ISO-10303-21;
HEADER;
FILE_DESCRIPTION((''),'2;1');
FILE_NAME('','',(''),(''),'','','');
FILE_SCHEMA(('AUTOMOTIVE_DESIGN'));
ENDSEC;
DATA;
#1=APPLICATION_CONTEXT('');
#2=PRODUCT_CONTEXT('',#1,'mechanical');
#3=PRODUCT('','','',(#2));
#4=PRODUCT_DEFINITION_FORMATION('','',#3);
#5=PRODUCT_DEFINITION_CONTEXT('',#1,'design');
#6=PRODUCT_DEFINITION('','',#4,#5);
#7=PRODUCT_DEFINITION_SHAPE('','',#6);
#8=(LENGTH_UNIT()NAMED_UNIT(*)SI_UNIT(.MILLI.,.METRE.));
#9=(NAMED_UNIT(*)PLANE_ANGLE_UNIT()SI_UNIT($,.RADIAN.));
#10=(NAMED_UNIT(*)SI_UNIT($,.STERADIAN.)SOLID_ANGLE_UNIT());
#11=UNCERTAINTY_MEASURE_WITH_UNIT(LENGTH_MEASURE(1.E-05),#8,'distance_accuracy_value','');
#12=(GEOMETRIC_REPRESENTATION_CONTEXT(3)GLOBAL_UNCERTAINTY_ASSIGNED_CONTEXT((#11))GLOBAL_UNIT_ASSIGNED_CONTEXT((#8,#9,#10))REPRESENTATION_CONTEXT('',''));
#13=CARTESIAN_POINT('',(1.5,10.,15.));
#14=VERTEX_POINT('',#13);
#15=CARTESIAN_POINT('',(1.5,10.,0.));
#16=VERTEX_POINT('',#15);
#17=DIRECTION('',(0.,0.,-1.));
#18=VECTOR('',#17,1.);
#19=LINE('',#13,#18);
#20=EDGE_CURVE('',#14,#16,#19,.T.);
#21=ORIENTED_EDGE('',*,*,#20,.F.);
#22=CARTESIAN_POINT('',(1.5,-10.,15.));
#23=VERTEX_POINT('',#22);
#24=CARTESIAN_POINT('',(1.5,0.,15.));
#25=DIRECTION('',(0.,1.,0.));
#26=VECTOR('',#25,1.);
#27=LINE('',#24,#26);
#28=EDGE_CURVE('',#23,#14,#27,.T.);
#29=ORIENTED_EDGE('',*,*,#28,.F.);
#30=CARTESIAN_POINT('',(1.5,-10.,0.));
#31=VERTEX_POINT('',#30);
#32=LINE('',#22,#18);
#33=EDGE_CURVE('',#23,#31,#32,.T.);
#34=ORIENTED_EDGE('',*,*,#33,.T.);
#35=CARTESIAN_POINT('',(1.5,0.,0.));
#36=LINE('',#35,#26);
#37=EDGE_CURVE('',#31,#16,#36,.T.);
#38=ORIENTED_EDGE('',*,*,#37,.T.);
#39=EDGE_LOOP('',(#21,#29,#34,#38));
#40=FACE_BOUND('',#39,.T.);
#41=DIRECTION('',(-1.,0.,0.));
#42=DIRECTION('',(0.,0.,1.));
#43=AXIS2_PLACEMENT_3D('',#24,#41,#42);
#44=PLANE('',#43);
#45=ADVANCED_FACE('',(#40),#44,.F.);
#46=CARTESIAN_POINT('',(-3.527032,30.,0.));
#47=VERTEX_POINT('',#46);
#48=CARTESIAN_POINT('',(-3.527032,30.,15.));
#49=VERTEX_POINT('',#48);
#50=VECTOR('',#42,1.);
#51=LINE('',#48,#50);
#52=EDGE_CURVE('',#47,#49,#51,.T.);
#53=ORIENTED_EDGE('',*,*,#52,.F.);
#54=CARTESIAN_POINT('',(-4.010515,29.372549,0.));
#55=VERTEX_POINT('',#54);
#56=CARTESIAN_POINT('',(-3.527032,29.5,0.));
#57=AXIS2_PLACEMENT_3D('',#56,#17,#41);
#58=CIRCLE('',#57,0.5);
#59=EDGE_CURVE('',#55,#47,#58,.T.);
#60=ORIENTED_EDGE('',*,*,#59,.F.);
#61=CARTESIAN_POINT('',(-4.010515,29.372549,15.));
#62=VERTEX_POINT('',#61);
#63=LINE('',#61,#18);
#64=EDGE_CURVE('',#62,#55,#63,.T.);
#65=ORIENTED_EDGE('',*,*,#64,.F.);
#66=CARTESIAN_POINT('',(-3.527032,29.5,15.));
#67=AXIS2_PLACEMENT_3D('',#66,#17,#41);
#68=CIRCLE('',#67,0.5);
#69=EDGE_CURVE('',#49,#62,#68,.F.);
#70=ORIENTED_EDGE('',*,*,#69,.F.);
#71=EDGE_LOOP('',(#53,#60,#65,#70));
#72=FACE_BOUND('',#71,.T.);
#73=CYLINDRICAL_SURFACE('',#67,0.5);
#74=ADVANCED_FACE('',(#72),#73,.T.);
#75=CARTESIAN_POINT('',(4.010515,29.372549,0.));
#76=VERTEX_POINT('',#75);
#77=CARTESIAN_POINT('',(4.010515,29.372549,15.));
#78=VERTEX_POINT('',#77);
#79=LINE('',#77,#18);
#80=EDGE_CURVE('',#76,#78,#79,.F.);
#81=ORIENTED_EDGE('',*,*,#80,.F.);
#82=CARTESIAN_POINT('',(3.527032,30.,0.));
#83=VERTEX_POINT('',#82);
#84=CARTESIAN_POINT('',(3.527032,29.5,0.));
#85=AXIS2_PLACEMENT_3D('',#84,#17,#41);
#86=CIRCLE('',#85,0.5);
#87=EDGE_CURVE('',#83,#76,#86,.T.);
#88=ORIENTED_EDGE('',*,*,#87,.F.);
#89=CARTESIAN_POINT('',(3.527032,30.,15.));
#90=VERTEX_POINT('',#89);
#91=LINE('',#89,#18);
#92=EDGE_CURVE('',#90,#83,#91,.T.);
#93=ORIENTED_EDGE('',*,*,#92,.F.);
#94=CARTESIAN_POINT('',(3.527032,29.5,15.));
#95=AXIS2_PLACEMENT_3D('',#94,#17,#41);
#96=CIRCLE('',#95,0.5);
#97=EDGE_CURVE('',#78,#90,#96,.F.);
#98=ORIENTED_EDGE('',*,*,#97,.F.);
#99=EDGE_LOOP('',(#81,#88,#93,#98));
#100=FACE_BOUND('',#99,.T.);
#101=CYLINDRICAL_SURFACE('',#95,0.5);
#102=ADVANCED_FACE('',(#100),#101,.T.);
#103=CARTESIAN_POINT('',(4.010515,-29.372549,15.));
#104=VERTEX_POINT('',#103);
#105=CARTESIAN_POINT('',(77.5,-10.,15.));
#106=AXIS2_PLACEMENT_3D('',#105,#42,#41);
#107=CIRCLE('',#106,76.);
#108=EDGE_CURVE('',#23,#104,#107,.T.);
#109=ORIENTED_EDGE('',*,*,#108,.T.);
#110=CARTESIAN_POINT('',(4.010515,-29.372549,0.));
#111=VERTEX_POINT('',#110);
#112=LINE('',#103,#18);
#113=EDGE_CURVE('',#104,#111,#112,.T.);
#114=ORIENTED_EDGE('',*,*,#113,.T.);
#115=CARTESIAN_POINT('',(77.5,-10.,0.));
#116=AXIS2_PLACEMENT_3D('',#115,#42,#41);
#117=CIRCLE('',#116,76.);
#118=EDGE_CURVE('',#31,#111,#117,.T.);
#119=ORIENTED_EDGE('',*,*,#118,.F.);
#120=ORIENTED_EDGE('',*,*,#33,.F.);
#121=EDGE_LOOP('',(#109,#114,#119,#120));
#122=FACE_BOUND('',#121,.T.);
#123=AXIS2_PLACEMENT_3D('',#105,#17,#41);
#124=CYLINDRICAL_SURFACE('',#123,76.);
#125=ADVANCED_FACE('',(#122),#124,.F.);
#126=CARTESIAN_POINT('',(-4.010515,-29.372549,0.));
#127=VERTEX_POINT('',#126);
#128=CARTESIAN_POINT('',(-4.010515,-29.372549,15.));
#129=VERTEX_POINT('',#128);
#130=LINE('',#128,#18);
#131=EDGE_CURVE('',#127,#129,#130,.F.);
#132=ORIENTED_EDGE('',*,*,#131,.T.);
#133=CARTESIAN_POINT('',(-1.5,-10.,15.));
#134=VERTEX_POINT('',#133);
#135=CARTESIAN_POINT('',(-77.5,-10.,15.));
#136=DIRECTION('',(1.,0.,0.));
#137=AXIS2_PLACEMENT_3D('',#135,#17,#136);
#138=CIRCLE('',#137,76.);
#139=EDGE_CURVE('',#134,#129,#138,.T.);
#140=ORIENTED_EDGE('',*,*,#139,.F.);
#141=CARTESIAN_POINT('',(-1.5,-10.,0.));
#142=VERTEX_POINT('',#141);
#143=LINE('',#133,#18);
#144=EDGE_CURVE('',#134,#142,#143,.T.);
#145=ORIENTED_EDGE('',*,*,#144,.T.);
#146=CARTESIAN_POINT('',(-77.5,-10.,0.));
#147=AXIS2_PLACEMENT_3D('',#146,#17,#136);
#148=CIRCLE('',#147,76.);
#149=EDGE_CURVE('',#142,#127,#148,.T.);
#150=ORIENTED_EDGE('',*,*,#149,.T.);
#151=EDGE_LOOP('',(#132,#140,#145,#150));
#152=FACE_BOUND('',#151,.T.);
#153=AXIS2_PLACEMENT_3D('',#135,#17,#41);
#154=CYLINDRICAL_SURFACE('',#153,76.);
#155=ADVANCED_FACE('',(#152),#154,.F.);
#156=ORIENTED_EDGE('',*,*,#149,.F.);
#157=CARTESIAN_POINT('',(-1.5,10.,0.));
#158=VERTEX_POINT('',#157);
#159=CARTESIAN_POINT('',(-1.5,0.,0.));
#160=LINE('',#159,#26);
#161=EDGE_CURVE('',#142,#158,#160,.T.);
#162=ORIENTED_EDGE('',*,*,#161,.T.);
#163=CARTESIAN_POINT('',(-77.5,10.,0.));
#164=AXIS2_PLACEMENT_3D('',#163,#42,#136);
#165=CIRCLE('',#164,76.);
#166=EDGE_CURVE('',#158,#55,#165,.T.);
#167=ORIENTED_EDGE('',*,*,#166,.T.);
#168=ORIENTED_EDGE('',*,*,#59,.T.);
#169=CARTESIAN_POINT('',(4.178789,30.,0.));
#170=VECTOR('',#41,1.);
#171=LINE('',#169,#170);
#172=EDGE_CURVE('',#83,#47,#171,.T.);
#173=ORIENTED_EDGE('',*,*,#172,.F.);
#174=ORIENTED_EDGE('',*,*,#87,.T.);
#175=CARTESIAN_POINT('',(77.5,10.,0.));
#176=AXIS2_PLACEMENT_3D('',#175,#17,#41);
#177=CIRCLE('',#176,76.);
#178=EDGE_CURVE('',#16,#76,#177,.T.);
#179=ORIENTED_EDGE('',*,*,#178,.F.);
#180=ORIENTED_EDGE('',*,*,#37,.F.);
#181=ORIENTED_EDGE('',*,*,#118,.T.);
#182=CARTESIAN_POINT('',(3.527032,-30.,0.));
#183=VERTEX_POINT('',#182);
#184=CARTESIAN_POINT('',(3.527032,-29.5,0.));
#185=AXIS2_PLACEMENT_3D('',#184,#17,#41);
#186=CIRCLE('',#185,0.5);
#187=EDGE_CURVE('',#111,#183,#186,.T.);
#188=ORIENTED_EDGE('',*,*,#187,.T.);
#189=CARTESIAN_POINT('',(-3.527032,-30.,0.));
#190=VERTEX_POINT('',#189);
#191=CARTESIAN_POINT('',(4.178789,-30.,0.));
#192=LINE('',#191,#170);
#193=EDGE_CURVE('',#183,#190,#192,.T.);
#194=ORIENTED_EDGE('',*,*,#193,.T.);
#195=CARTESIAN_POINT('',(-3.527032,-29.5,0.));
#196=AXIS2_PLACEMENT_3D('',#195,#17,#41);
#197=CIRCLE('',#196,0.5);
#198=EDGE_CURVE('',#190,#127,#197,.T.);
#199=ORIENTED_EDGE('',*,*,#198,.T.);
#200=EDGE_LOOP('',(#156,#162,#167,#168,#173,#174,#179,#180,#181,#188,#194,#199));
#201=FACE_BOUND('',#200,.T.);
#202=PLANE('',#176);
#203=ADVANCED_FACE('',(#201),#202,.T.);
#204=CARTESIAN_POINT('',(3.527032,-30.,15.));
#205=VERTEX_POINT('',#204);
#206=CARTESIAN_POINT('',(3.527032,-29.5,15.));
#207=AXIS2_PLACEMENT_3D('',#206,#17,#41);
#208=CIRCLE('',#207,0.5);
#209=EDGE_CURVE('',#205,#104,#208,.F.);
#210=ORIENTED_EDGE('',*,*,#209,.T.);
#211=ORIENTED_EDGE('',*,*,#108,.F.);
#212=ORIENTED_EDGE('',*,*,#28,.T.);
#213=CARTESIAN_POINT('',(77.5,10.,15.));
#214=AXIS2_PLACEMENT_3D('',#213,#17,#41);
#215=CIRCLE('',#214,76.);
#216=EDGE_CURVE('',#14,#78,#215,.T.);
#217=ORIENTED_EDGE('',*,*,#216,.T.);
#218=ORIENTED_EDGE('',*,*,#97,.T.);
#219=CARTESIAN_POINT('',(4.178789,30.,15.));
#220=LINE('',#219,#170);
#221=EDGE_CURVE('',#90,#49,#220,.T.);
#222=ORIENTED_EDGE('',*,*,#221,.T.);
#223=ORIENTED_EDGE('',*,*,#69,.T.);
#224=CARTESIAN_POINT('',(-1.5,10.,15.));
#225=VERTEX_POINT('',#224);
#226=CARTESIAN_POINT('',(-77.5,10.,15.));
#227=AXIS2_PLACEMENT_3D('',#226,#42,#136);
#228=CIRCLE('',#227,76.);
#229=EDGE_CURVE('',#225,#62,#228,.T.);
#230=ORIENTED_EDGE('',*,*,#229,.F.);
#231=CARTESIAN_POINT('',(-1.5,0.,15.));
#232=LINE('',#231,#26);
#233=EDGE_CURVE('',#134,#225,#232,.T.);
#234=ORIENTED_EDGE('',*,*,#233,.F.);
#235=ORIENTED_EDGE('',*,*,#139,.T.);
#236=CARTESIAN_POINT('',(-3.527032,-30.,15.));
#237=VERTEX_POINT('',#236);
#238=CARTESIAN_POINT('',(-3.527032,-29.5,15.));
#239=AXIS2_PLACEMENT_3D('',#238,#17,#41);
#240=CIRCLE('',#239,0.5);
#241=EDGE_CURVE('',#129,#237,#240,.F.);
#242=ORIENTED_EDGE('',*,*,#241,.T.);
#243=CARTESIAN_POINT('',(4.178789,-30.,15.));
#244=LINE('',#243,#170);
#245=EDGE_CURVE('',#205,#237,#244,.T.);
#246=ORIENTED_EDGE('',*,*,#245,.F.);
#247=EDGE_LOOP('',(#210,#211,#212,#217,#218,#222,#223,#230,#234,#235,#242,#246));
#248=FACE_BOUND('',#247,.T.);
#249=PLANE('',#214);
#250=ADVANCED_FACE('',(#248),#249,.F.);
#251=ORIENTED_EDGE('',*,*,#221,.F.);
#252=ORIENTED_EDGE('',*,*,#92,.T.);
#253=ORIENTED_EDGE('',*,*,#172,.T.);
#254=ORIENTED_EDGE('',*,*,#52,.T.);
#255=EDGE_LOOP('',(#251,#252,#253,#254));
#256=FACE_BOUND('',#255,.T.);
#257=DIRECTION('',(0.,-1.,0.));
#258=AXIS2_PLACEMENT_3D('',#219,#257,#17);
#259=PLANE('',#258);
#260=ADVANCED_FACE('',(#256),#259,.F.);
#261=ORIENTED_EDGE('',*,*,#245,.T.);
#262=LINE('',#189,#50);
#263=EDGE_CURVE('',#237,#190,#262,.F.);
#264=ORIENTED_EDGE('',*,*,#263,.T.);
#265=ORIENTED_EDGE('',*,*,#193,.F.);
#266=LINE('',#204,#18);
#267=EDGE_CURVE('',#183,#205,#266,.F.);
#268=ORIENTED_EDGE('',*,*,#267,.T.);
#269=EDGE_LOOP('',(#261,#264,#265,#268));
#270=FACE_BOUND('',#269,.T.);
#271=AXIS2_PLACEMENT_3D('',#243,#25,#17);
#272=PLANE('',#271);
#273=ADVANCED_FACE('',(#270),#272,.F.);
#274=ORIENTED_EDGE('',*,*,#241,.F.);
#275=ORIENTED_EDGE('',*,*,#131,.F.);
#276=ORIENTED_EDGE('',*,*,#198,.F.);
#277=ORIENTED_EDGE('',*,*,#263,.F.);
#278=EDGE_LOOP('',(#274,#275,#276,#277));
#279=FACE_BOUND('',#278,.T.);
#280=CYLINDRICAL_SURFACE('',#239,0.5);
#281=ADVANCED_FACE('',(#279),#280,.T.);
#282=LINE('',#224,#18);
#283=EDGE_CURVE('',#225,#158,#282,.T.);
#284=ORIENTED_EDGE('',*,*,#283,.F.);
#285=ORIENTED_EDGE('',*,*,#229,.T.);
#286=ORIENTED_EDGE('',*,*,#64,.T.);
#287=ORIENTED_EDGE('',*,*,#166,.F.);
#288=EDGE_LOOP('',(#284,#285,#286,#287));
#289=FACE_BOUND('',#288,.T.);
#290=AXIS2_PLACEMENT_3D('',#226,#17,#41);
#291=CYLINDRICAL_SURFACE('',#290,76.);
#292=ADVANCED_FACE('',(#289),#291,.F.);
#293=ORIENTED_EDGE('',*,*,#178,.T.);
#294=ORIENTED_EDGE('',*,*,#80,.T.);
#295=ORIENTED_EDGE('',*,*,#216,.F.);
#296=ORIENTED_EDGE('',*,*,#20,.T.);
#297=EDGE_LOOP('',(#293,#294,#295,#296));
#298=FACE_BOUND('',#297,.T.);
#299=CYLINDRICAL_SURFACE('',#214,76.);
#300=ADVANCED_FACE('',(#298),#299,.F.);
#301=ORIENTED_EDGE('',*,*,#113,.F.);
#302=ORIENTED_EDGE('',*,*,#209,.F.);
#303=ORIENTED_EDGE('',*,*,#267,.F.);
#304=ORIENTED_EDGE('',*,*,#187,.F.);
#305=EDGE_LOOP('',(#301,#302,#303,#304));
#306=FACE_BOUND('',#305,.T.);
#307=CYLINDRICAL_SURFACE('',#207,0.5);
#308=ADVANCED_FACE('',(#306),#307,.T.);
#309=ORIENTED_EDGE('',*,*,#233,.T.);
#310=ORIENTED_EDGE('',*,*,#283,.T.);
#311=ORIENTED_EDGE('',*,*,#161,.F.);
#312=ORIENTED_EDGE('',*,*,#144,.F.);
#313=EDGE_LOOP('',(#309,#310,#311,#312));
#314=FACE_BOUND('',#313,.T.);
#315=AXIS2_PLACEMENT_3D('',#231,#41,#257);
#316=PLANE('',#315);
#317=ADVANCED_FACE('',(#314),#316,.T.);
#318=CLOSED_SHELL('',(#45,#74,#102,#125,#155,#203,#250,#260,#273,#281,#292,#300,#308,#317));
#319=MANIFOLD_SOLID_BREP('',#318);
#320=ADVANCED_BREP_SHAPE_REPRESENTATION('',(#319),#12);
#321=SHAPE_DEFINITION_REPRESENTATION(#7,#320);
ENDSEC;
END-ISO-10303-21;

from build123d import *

# Parameters (mm, degrees)
BOSS_EXTRUDE1_DEPTH = 15
FILLET1_R           = 0.5


with BuildPart() as part:
    # Sketch1 → Boss-Extrude1 (new body)
    with BuildSketch(Plane.XY):
        with BuildLine():
            Line((0, 0), (1.5, 0))
            Line((1.5, 0), (1.5, 10))
            ThreePointArc((1.5, 10), (2.172674131, 20.089300148), (4.178788881, 30))
            Line((4.178788881, 30), (0, 30))
            Line((0, 30), (0, 0))
        make_face()
    boss_extrude1 = extrude(amount=BOSS_EXTRUDE1_DEPTH)

    # Mirror1: Boss-Extrude1 across plane
    add(boss_extrude1.mirror(Plane(origin=(0, 30, 15), x_dir=(0, 0, 1), z_dir=(1, 0, 0))))

    # Mirror6: part across plane


with BuildPart() as part_1:
    add(part.part)
    add(part.part.mirror(Plane(origin=(0, 0, 15), x_dir=(0, 0, 1), z_dir=(0, 1, 0))))

    # Fillet1
    fillet1_edges = [part_1.edges().sort_by_distance(p)[0] for p in [
        (-4.178788881, 30, 7.5),
        (4.178788881, -30, 7.5),
        (-4.178788881, -30, 7.5),
        (4.178788881, 30, 7.5),
    ]]
    fillet(fillet1_edges, radius=FILLET1_R)


solid = part_1.part
